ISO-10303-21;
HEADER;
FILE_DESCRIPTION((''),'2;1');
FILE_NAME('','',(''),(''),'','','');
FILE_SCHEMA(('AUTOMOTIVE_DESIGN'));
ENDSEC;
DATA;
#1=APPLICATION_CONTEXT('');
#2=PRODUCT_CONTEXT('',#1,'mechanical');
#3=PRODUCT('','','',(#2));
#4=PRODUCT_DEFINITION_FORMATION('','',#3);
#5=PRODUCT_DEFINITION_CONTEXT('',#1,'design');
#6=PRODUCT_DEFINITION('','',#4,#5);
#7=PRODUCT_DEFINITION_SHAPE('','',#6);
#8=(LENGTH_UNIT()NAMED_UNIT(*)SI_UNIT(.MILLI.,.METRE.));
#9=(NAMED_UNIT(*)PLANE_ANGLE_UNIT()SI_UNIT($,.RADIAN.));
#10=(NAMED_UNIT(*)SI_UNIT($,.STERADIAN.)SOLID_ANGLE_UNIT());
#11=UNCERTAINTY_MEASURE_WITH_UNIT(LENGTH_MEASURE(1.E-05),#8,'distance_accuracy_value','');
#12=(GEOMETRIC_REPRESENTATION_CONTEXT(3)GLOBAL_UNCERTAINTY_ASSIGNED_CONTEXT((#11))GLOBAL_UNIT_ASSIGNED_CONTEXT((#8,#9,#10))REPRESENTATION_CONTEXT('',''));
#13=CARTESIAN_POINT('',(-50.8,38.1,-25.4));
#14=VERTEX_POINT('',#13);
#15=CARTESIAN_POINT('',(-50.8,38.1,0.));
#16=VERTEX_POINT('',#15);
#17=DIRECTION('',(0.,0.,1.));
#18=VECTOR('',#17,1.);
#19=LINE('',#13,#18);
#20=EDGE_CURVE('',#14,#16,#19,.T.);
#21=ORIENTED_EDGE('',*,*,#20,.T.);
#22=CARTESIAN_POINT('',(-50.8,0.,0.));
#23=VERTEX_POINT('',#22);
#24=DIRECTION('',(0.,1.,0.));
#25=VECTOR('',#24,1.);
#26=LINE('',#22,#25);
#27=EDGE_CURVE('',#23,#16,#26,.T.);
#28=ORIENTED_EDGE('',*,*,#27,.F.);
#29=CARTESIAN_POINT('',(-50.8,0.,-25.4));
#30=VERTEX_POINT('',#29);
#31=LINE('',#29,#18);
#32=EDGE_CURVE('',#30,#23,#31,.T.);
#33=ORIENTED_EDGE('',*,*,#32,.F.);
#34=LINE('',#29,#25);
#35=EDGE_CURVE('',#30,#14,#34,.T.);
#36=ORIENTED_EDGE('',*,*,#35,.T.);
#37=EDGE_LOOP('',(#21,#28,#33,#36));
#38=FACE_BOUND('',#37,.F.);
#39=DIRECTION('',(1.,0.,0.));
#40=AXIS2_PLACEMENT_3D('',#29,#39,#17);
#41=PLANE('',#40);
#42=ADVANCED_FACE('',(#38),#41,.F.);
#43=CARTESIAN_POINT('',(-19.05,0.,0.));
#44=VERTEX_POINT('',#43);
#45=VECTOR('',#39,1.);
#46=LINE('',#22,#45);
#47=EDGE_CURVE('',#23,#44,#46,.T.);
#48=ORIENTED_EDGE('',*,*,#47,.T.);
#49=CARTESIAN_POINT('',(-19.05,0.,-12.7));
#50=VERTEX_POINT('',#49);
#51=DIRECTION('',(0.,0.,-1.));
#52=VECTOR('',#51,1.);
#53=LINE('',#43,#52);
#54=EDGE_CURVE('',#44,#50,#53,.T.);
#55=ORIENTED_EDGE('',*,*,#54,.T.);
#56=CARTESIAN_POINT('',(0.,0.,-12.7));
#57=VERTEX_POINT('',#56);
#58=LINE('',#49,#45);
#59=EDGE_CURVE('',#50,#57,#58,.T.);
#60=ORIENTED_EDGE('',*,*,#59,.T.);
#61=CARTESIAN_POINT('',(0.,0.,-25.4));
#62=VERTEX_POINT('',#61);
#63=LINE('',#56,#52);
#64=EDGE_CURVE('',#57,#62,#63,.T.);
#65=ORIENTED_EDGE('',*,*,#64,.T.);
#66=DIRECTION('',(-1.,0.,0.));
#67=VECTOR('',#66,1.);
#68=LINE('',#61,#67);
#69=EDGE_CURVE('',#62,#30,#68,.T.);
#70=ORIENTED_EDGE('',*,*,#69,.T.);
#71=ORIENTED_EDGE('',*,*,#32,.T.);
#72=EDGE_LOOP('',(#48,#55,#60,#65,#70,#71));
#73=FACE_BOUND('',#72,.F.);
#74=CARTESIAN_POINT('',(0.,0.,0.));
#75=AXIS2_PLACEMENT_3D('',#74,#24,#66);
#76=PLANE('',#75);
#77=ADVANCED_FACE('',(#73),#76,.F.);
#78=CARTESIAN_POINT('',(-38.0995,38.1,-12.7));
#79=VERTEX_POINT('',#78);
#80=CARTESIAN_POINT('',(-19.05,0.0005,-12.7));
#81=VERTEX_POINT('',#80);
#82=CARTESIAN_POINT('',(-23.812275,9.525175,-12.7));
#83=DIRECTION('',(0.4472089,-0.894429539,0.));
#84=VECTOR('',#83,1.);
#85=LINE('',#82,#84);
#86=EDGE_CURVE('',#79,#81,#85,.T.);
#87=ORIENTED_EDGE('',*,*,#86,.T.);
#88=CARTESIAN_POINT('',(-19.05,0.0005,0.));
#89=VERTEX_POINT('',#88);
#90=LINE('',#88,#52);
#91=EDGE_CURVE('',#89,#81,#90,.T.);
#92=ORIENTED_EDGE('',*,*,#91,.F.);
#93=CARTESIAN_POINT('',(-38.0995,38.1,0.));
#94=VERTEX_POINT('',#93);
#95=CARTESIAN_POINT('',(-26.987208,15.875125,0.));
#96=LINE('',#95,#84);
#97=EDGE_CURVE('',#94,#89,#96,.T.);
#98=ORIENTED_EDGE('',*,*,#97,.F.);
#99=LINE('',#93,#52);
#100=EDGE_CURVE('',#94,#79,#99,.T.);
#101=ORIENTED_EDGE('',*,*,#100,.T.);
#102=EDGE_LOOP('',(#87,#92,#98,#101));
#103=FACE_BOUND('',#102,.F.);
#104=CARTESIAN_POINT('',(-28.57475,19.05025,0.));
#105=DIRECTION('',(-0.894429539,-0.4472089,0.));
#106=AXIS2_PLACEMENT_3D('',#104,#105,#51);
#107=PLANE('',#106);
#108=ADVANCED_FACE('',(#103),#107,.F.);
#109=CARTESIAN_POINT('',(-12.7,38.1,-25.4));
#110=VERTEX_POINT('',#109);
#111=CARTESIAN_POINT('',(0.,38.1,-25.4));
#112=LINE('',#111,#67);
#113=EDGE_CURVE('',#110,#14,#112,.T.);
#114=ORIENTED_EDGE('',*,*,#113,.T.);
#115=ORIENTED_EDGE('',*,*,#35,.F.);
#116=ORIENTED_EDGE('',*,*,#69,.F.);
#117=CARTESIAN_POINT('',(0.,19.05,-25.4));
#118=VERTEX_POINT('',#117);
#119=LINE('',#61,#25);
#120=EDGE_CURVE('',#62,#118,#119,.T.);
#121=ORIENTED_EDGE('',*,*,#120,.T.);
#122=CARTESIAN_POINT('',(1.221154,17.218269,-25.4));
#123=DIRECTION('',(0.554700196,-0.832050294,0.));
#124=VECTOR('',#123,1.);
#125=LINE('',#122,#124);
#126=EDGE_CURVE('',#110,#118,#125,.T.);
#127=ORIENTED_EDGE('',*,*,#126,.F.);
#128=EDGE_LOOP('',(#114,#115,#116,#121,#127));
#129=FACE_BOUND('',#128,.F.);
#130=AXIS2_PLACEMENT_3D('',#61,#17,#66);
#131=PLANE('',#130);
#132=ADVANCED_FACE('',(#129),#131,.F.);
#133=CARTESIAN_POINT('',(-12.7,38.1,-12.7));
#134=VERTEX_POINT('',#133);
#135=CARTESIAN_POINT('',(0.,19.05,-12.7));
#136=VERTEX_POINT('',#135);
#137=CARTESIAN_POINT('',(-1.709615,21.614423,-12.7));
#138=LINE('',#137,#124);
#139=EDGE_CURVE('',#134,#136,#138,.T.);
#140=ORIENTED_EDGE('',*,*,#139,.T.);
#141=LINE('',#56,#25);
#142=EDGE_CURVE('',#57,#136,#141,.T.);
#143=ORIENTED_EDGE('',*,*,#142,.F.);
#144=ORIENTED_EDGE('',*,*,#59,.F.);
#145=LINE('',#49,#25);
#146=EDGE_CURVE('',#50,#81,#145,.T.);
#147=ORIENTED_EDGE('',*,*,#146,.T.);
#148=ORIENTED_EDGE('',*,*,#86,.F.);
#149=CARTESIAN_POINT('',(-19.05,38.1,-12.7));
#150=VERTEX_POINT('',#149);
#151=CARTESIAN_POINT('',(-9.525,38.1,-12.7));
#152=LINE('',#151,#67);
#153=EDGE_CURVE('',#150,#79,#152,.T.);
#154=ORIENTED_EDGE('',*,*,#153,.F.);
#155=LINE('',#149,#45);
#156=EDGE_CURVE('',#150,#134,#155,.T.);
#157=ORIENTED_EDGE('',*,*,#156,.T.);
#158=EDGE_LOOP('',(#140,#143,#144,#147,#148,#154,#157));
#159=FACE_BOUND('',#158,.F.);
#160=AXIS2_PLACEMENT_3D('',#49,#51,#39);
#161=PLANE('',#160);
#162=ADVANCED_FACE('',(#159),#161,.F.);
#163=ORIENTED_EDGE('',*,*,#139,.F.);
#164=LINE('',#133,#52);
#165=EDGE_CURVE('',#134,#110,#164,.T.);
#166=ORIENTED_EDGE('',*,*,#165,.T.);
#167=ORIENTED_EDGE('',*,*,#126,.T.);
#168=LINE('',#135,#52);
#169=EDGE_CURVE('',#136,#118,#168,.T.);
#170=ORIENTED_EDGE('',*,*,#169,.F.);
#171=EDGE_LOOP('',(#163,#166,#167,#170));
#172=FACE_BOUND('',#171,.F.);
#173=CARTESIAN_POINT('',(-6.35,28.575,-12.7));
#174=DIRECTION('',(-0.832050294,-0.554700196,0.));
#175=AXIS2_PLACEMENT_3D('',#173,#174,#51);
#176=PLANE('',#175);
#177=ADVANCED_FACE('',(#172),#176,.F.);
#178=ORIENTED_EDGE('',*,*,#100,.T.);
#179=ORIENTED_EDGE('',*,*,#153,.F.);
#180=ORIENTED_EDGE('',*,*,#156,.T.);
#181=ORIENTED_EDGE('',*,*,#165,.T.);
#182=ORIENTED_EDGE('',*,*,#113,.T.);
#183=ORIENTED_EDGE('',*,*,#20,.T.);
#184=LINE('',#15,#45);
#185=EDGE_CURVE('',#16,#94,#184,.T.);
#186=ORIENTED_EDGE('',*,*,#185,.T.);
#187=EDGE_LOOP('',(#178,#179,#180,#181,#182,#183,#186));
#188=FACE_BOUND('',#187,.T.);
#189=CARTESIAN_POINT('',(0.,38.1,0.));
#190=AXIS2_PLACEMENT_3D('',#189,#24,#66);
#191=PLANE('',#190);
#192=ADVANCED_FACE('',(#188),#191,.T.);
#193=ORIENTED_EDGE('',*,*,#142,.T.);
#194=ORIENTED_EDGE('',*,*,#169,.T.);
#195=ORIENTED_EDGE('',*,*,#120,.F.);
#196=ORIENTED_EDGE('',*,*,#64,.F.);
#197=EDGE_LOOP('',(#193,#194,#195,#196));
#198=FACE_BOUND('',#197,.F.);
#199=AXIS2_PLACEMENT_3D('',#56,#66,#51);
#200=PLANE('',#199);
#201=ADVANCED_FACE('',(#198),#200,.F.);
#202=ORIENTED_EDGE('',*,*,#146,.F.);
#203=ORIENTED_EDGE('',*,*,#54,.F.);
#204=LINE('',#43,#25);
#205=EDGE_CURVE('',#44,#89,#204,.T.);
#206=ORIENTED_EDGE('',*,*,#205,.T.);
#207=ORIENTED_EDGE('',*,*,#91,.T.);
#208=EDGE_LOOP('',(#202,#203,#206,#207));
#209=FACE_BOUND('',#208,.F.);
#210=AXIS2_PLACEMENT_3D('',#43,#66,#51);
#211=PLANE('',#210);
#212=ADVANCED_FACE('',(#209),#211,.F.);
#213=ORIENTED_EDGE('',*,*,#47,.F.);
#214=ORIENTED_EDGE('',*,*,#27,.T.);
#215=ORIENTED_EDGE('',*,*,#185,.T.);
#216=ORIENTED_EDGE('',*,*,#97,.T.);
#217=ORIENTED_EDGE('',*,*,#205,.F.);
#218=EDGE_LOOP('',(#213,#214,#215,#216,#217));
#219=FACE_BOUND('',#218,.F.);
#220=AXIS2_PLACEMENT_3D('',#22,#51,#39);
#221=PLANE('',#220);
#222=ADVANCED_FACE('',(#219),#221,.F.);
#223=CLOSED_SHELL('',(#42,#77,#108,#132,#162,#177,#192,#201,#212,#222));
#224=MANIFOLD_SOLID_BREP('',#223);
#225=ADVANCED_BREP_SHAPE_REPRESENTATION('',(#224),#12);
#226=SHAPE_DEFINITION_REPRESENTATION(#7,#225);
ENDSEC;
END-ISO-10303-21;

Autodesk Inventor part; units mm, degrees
ref_plane "YZ Plane" through (0, 0, 0) normal (1, 0, 0) x (0, 1, 0)
ref_plane "XZ Plane" through (0, 0, 0) normal (0, 1, 0) x (-1, 0, 0)
ref_plane "XY Plane" through (0, 0, 0) normal (0, 0, 1) x (1, 0, 0)
sketch "Sketch1" plane through (0, 0, 0) normal (0, 1, 0) x (-1, 0, 0)
  line L0 (0, -12.7) -> (0, -25.4)
  line L1 (0, -25.4) -> (50.8, -25.4)
  line L2 (50.8, -25.4) -> (50.8, 0)
  line L3 (50.8, 0) -> (19.05, 0)
  line L4 (19.05, 0) -> (19.05, -12.7)
  line L5 (19.05, -12.7) -> (0, -12.7)
  point P0 (0, 0)
  dimension "d0" = 12.7
  dimension "d1" = 50.8
  dimension "d2" = 25.4
  dimension "d3" = 31.75
  dimension "d4" = 12.7
extrude "Extrusion1" add sketch "Sketch1" along normal blind 38.1
chamfer "Chamfer1" distance 19.05 distance2 38.1 1 edges at (-19.05, 38.1, -6.35) measured on face at (-40.2167, 38.1, -12.7)
chamfer "Chamfer2" distance 12.7 distance2 19.05 1 edges at (0, 38.1, -19.05) measured on face at (-23.2833, 38.1, -21.1667)
properties part number "7.1 Part 4"
